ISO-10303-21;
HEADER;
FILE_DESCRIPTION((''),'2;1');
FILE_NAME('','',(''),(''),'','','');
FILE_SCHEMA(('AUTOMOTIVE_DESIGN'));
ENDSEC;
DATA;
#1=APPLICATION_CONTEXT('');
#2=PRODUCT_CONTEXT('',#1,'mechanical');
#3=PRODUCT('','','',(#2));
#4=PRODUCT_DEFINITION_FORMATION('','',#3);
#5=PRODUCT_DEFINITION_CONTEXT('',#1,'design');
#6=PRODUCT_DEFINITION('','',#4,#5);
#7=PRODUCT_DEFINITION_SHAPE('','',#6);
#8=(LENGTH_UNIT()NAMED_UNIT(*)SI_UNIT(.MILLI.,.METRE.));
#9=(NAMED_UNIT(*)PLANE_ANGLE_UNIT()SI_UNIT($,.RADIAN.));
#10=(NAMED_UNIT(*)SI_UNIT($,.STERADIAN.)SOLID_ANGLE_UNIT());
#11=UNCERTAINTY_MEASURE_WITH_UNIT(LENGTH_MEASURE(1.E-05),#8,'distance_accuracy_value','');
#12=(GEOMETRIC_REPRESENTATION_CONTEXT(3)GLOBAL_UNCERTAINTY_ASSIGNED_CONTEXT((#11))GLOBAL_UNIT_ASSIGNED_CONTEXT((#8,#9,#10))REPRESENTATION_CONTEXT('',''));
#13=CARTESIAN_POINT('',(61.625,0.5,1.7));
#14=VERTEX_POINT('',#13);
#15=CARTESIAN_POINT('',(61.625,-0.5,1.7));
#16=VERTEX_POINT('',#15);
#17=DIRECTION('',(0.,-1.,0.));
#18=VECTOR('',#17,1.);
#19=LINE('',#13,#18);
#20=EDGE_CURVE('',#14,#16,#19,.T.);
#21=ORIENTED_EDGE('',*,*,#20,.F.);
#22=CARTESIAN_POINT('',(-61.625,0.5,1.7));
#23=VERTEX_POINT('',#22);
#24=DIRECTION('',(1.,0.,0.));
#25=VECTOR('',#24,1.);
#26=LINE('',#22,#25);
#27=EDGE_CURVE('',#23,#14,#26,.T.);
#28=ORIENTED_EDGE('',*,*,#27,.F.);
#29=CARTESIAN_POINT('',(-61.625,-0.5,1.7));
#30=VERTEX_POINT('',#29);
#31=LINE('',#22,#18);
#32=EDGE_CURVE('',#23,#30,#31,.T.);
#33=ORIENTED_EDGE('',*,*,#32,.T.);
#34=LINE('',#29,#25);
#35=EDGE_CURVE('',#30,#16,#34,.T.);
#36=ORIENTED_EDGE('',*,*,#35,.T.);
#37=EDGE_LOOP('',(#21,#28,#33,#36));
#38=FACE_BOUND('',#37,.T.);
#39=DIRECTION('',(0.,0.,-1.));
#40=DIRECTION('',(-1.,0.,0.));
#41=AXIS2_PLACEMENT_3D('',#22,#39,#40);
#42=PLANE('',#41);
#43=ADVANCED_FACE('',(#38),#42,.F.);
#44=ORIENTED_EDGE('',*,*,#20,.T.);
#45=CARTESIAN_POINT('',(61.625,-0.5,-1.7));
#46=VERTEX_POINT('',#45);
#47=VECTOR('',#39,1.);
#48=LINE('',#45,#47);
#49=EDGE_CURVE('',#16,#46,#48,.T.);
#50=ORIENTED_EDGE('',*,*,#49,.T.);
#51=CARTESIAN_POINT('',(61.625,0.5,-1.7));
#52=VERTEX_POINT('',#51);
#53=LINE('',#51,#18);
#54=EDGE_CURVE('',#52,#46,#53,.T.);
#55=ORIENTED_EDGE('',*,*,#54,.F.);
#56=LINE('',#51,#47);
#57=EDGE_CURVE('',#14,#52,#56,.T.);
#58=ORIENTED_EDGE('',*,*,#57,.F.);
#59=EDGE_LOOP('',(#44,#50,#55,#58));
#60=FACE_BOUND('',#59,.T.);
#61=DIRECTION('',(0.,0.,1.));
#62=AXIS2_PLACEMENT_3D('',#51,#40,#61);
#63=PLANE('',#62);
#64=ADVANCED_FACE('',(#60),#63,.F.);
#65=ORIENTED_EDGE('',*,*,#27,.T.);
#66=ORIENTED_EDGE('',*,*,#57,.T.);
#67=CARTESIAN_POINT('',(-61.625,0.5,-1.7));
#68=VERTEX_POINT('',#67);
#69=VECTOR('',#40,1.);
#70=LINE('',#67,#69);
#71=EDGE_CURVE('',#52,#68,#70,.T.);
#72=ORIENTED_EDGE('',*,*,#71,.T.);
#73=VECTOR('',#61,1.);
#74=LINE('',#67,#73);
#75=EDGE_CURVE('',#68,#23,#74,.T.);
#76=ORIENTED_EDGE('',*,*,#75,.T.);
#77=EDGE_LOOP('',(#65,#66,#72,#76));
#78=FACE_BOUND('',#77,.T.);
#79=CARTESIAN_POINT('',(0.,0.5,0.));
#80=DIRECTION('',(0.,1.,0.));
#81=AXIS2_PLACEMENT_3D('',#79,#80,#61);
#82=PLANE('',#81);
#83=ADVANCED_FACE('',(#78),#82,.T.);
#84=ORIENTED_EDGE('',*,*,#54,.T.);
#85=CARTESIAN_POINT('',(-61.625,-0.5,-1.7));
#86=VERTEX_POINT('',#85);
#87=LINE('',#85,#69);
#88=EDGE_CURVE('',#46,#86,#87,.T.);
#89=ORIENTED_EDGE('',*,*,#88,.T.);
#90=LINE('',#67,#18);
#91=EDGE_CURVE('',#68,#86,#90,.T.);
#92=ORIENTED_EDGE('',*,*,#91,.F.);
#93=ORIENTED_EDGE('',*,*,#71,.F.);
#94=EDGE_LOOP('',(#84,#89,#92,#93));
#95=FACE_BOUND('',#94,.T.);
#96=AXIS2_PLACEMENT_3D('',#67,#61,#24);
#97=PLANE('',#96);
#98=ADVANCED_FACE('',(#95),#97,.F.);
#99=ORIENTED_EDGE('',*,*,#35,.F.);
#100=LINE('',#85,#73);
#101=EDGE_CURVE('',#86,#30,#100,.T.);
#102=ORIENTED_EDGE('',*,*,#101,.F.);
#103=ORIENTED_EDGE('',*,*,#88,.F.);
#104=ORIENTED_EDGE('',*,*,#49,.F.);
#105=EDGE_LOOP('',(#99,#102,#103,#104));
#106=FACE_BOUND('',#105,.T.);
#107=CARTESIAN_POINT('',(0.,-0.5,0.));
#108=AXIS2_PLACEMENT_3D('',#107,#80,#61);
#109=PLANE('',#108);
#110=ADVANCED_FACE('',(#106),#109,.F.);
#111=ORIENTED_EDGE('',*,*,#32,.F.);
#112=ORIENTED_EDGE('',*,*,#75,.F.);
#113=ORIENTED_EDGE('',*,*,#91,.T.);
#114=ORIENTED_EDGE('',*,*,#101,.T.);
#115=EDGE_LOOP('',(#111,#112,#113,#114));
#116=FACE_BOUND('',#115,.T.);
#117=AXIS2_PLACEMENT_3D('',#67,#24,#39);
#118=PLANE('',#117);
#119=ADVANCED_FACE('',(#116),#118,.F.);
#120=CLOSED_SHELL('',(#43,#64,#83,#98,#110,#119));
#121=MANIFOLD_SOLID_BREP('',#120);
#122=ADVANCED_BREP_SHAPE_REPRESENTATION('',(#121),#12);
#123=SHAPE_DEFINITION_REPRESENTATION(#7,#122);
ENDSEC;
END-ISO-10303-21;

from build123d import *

# Parameters (mm, degrees)
SKETCH3_W           = 123.25
SKETCH3_H           = 3.4
BOSS_EXTRUDE3_DEPTH = 0.5


with BuildPart() as part:
    # Sketch3 → Boss-Extrude3 (new body, symmetric)
    with BuildSketch(Plane(origin=(0, 0, 0), x_dir=(1, 0, 0), z_dir=(0, 1, 0))):
        Rectangle(SKETCH3_W, SKETCH3_H)
    extrude(amount=BOSS_EXTRUDE3_DEPTH, both=True)


solid = part.part
